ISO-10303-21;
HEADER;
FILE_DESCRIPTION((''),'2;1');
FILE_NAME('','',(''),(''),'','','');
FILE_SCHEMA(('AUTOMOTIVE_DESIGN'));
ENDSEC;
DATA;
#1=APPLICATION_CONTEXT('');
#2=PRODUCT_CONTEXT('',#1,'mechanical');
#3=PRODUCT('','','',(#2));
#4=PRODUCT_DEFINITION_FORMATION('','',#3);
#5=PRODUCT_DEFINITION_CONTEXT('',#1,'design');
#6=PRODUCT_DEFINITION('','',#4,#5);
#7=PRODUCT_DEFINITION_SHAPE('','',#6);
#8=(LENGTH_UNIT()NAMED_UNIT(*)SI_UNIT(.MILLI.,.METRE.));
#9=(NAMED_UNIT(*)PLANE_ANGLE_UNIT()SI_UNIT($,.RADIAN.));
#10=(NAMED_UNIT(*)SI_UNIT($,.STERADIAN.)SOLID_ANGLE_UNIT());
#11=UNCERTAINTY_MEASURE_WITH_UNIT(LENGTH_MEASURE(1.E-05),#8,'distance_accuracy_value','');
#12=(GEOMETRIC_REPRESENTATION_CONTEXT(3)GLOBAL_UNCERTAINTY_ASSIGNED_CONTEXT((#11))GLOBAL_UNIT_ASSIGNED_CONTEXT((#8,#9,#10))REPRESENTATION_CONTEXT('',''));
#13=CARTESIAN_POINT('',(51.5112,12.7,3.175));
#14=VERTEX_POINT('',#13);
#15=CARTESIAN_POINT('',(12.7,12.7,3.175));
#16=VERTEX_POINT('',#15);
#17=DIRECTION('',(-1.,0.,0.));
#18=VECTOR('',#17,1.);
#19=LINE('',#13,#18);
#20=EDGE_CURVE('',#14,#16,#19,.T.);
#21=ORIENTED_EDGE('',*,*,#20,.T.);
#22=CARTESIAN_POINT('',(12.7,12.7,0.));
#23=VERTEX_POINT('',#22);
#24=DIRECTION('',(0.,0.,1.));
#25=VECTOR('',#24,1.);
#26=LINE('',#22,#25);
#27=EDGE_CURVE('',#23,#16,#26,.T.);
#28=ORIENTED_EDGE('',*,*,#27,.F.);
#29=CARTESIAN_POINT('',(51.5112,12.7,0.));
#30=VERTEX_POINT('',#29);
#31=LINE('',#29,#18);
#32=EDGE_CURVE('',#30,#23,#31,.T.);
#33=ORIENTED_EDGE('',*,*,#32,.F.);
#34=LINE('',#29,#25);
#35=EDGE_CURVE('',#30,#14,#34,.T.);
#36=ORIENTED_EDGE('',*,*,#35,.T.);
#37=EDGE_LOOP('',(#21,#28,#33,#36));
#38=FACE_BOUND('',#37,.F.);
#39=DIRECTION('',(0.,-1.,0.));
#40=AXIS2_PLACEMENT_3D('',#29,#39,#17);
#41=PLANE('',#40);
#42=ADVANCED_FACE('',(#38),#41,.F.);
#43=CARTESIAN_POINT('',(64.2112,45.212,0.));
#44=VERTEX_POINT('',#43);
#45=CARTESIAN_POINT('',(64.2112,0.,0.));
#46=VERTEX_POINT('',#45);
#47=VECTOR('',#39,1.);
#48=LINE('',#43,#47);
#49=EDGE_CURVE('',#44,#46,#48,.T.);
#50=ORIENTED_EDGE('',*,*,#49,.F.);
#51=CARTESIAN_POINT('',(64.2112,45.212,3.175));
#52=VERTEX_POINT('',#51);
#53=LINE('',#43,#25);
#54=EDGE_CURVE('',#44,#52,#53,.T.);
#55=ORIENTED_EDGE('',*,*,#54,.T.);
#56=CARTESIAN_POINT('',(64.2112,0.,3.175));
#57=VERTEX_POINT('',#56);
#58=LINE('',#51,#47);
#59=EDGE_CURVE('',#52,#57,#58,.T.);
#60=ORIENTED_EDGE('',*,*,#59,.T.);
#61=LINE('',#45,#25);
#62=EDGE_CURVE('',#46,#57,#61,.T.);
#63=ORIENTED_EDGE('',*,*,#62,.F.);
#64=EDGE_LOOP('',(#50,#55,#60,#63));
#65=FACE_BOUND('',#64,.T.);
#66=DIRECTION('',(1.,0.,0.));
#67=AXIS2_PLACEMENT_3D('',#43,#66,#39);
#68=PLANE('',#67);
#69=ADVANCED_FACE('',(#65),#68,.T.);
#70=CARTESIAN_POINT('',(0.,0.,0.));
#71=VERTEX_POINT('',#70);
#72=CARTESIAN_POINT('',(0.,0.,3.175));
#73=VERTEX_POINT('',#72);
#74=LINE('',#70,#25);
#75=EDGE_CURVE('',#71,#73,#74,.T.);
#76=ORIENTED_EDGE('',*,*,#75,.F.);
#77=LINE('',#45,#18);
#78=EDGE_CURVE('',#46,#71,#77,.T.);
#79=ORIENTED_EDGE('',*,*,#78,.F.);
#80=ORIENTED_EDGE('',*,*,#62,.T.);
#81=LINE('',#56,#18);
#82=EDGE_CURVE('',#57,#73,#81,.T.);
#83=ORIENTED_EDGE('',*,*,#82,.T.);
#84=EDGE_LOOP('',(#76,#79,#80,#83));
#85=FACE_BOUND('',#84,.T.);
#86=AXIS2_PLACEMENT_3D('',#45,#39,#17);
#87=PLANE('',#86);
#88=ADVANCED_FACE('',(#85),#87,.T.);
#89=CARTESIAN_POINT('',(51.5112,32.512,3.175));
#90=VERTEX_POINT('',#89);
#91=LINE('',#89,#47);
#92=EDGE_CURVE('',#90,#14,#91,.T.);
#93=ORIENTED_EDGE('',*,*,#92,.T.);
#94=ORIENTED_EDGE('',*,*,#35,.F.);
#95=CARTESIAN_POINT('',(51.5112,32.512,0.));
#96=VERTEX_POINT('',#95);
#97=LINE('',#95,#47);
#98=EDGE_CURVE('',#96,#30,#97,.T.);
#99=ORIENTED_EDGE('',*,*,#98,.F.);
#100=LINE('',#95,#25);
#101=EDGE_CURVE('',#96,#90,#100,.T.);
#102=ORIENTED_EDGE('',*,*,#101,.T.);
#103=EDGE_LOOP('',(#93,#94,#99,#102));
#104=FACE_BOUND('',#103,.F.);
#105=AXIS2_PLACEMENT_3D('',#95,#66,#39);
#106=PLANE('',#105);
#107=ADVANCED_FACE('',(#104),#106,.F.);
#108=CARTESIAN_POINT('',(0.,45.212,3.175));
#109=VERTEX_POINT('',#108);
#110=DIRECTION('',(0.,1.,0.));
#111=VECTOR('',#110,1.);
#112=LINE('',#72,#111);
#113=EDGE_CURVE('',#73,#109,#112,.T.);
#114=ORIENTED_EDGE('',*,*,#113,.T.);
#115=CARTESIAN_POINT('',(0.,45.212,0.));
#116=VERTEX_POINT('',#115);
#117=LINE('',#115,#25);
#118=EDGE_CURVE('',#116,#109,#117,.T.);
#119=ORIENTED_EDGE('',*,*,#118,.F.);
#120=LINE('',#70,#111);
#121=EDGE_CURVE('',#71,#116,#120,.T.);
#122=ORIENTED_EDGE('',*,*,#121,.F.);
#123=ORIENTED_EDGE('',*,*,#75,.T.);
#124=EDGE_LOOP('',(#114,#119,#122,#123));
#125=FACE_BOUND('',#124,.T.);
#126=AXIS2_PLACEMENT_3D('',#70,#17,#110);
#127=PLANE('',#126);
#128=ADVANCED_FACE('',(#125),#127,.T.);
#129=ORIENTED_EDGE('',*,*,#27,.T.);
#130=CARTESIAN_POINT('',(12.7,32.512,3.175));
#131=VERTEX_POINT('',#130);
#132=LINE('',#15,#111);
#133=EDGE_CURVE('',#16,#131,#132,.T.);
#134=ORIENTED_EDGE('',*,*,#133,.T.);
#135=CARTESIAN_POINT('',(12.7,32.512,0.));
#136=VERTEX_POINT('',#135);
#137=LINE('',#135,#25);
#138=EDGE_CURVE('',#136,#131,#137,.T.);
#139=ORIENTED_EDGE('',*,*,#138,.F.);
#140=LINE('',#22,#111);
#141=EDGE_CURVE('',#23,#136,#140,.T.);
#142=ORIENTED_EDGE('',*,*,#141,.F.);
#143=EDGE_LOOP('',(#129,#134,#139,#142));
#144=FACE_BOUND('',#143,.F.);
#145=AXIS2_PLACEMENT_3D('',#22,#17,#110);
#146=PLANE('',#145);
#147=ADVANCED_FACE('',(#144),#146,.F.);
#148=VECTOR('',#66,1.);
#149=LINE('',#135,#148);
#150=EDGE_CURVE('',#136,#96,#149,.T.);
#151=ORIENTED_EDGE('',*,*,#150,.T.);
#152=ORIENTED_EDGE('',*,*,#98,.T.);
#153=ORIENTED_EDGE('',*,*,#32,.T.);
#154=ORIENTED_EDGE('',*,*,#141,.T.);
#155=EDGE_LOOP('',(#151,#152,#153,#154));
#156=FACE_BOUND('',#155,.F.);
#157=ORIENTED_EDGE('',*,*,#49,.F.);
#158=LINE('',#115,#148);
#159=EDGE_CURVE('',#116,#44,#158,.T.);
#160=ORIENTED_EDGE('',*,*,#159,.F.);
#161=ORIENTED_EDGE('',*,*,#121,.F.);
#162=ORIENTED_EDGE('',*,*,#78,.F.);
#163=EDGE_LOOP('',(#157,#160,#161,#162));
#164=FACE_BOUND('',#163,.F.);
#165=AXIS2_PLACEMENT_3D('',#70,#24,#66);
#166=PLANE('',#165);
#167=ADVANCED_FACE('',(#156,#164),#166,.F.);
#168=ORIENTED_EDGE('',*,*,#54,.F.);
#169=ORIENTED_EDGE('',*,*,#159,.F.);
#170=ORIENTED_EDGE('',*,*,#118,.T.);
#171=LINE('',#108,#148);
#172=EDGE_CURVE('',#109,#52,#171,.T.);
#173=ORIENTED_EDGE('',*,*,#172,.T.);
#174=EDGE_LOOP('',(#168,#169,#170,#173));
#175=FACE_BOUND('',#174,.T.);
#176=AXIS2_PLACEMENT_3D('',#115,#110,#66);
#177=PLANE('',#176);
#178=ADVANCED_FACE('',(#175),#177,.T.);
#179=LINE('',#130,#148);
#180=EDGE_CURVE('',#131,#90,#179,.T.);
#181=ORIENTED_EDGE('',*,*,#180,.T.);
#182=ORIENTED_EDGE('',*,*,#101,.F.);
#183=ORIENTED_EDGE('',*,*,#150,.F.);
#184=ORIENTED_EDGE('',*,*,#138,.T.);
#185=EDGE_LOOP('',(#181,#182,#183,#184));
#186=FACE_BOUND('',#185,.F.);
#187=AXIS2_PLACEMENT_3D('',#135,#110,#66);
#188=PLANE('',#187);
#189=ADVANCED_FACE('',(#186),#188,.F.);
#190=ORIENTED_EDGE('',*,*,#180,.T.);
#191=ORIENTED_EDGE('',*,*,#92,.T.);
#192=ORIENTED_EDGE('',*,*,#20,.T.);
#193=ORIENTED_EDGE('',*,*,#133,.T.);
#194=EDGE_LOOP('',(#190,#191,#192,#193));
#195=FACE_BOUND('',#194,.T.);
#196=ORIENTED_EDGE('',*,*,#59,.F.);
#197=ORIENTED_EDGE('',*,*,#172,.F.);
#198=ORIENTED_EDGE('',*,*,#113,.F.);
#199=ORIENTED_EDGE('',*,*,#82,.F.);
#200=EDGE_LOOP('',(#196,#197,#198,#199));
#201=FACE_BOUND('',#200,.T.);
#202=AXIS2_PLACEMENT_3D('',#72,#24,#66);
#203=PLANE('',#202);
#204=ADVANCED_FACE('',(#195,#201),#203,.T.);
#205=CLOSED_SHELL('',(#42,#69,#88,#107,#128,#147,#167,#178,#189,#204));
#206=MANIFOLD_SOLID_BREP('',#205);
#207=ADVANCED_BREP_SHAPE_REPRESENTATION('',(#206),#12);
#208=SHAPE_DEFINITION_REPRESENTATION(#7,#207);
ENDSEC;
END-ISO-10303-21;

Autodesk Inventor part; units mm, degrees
ref_plane "YZ Plane" through (0, 0, 0) normal (1, 0, 0) x (0, 1, 0)
ref_plane "XZ Plane" through (0, 0, 0) normal (0, 1, 0) x (-1, 0, 0)
ref_plane "XY Plane" through (0, 0, 0) normal (0, 0, 1) x (1, 0, 0)
sketch "Sketch1" plane through (0, 0, 0) normal (0, 0, 1) x (1, 0, 0)
  line L0 (0, 0) -> (0, 45.212)
  line L1 (0, 45.212) -> (64.2112, 45.212)
  line L2 (64.2112, 45.212) -> (64.2112, 0)
  line L3 (64.2112, 0) -> (0, 0)
  line L4 (12.7, 32.512) -> (51.5112, 32.512)
  line L5 (51.5112, 32.512) -> (51.5112, 12.7)
  line L6 (51.5112, 12.7) -> (12.7, 12.7)
  line L7 (12.7, 12.7) -> (12.7, 32.512)
  dimension "d0" = 45.212
  dimension "d1" = 64.2112
  dimension "d4" = 38.8112
  dimension "d5" = 19.812
extrude "Extrusion1" add sketch "Sketch1" along normal blind 3.175
properties part number "SmartServoHolderClaw"
